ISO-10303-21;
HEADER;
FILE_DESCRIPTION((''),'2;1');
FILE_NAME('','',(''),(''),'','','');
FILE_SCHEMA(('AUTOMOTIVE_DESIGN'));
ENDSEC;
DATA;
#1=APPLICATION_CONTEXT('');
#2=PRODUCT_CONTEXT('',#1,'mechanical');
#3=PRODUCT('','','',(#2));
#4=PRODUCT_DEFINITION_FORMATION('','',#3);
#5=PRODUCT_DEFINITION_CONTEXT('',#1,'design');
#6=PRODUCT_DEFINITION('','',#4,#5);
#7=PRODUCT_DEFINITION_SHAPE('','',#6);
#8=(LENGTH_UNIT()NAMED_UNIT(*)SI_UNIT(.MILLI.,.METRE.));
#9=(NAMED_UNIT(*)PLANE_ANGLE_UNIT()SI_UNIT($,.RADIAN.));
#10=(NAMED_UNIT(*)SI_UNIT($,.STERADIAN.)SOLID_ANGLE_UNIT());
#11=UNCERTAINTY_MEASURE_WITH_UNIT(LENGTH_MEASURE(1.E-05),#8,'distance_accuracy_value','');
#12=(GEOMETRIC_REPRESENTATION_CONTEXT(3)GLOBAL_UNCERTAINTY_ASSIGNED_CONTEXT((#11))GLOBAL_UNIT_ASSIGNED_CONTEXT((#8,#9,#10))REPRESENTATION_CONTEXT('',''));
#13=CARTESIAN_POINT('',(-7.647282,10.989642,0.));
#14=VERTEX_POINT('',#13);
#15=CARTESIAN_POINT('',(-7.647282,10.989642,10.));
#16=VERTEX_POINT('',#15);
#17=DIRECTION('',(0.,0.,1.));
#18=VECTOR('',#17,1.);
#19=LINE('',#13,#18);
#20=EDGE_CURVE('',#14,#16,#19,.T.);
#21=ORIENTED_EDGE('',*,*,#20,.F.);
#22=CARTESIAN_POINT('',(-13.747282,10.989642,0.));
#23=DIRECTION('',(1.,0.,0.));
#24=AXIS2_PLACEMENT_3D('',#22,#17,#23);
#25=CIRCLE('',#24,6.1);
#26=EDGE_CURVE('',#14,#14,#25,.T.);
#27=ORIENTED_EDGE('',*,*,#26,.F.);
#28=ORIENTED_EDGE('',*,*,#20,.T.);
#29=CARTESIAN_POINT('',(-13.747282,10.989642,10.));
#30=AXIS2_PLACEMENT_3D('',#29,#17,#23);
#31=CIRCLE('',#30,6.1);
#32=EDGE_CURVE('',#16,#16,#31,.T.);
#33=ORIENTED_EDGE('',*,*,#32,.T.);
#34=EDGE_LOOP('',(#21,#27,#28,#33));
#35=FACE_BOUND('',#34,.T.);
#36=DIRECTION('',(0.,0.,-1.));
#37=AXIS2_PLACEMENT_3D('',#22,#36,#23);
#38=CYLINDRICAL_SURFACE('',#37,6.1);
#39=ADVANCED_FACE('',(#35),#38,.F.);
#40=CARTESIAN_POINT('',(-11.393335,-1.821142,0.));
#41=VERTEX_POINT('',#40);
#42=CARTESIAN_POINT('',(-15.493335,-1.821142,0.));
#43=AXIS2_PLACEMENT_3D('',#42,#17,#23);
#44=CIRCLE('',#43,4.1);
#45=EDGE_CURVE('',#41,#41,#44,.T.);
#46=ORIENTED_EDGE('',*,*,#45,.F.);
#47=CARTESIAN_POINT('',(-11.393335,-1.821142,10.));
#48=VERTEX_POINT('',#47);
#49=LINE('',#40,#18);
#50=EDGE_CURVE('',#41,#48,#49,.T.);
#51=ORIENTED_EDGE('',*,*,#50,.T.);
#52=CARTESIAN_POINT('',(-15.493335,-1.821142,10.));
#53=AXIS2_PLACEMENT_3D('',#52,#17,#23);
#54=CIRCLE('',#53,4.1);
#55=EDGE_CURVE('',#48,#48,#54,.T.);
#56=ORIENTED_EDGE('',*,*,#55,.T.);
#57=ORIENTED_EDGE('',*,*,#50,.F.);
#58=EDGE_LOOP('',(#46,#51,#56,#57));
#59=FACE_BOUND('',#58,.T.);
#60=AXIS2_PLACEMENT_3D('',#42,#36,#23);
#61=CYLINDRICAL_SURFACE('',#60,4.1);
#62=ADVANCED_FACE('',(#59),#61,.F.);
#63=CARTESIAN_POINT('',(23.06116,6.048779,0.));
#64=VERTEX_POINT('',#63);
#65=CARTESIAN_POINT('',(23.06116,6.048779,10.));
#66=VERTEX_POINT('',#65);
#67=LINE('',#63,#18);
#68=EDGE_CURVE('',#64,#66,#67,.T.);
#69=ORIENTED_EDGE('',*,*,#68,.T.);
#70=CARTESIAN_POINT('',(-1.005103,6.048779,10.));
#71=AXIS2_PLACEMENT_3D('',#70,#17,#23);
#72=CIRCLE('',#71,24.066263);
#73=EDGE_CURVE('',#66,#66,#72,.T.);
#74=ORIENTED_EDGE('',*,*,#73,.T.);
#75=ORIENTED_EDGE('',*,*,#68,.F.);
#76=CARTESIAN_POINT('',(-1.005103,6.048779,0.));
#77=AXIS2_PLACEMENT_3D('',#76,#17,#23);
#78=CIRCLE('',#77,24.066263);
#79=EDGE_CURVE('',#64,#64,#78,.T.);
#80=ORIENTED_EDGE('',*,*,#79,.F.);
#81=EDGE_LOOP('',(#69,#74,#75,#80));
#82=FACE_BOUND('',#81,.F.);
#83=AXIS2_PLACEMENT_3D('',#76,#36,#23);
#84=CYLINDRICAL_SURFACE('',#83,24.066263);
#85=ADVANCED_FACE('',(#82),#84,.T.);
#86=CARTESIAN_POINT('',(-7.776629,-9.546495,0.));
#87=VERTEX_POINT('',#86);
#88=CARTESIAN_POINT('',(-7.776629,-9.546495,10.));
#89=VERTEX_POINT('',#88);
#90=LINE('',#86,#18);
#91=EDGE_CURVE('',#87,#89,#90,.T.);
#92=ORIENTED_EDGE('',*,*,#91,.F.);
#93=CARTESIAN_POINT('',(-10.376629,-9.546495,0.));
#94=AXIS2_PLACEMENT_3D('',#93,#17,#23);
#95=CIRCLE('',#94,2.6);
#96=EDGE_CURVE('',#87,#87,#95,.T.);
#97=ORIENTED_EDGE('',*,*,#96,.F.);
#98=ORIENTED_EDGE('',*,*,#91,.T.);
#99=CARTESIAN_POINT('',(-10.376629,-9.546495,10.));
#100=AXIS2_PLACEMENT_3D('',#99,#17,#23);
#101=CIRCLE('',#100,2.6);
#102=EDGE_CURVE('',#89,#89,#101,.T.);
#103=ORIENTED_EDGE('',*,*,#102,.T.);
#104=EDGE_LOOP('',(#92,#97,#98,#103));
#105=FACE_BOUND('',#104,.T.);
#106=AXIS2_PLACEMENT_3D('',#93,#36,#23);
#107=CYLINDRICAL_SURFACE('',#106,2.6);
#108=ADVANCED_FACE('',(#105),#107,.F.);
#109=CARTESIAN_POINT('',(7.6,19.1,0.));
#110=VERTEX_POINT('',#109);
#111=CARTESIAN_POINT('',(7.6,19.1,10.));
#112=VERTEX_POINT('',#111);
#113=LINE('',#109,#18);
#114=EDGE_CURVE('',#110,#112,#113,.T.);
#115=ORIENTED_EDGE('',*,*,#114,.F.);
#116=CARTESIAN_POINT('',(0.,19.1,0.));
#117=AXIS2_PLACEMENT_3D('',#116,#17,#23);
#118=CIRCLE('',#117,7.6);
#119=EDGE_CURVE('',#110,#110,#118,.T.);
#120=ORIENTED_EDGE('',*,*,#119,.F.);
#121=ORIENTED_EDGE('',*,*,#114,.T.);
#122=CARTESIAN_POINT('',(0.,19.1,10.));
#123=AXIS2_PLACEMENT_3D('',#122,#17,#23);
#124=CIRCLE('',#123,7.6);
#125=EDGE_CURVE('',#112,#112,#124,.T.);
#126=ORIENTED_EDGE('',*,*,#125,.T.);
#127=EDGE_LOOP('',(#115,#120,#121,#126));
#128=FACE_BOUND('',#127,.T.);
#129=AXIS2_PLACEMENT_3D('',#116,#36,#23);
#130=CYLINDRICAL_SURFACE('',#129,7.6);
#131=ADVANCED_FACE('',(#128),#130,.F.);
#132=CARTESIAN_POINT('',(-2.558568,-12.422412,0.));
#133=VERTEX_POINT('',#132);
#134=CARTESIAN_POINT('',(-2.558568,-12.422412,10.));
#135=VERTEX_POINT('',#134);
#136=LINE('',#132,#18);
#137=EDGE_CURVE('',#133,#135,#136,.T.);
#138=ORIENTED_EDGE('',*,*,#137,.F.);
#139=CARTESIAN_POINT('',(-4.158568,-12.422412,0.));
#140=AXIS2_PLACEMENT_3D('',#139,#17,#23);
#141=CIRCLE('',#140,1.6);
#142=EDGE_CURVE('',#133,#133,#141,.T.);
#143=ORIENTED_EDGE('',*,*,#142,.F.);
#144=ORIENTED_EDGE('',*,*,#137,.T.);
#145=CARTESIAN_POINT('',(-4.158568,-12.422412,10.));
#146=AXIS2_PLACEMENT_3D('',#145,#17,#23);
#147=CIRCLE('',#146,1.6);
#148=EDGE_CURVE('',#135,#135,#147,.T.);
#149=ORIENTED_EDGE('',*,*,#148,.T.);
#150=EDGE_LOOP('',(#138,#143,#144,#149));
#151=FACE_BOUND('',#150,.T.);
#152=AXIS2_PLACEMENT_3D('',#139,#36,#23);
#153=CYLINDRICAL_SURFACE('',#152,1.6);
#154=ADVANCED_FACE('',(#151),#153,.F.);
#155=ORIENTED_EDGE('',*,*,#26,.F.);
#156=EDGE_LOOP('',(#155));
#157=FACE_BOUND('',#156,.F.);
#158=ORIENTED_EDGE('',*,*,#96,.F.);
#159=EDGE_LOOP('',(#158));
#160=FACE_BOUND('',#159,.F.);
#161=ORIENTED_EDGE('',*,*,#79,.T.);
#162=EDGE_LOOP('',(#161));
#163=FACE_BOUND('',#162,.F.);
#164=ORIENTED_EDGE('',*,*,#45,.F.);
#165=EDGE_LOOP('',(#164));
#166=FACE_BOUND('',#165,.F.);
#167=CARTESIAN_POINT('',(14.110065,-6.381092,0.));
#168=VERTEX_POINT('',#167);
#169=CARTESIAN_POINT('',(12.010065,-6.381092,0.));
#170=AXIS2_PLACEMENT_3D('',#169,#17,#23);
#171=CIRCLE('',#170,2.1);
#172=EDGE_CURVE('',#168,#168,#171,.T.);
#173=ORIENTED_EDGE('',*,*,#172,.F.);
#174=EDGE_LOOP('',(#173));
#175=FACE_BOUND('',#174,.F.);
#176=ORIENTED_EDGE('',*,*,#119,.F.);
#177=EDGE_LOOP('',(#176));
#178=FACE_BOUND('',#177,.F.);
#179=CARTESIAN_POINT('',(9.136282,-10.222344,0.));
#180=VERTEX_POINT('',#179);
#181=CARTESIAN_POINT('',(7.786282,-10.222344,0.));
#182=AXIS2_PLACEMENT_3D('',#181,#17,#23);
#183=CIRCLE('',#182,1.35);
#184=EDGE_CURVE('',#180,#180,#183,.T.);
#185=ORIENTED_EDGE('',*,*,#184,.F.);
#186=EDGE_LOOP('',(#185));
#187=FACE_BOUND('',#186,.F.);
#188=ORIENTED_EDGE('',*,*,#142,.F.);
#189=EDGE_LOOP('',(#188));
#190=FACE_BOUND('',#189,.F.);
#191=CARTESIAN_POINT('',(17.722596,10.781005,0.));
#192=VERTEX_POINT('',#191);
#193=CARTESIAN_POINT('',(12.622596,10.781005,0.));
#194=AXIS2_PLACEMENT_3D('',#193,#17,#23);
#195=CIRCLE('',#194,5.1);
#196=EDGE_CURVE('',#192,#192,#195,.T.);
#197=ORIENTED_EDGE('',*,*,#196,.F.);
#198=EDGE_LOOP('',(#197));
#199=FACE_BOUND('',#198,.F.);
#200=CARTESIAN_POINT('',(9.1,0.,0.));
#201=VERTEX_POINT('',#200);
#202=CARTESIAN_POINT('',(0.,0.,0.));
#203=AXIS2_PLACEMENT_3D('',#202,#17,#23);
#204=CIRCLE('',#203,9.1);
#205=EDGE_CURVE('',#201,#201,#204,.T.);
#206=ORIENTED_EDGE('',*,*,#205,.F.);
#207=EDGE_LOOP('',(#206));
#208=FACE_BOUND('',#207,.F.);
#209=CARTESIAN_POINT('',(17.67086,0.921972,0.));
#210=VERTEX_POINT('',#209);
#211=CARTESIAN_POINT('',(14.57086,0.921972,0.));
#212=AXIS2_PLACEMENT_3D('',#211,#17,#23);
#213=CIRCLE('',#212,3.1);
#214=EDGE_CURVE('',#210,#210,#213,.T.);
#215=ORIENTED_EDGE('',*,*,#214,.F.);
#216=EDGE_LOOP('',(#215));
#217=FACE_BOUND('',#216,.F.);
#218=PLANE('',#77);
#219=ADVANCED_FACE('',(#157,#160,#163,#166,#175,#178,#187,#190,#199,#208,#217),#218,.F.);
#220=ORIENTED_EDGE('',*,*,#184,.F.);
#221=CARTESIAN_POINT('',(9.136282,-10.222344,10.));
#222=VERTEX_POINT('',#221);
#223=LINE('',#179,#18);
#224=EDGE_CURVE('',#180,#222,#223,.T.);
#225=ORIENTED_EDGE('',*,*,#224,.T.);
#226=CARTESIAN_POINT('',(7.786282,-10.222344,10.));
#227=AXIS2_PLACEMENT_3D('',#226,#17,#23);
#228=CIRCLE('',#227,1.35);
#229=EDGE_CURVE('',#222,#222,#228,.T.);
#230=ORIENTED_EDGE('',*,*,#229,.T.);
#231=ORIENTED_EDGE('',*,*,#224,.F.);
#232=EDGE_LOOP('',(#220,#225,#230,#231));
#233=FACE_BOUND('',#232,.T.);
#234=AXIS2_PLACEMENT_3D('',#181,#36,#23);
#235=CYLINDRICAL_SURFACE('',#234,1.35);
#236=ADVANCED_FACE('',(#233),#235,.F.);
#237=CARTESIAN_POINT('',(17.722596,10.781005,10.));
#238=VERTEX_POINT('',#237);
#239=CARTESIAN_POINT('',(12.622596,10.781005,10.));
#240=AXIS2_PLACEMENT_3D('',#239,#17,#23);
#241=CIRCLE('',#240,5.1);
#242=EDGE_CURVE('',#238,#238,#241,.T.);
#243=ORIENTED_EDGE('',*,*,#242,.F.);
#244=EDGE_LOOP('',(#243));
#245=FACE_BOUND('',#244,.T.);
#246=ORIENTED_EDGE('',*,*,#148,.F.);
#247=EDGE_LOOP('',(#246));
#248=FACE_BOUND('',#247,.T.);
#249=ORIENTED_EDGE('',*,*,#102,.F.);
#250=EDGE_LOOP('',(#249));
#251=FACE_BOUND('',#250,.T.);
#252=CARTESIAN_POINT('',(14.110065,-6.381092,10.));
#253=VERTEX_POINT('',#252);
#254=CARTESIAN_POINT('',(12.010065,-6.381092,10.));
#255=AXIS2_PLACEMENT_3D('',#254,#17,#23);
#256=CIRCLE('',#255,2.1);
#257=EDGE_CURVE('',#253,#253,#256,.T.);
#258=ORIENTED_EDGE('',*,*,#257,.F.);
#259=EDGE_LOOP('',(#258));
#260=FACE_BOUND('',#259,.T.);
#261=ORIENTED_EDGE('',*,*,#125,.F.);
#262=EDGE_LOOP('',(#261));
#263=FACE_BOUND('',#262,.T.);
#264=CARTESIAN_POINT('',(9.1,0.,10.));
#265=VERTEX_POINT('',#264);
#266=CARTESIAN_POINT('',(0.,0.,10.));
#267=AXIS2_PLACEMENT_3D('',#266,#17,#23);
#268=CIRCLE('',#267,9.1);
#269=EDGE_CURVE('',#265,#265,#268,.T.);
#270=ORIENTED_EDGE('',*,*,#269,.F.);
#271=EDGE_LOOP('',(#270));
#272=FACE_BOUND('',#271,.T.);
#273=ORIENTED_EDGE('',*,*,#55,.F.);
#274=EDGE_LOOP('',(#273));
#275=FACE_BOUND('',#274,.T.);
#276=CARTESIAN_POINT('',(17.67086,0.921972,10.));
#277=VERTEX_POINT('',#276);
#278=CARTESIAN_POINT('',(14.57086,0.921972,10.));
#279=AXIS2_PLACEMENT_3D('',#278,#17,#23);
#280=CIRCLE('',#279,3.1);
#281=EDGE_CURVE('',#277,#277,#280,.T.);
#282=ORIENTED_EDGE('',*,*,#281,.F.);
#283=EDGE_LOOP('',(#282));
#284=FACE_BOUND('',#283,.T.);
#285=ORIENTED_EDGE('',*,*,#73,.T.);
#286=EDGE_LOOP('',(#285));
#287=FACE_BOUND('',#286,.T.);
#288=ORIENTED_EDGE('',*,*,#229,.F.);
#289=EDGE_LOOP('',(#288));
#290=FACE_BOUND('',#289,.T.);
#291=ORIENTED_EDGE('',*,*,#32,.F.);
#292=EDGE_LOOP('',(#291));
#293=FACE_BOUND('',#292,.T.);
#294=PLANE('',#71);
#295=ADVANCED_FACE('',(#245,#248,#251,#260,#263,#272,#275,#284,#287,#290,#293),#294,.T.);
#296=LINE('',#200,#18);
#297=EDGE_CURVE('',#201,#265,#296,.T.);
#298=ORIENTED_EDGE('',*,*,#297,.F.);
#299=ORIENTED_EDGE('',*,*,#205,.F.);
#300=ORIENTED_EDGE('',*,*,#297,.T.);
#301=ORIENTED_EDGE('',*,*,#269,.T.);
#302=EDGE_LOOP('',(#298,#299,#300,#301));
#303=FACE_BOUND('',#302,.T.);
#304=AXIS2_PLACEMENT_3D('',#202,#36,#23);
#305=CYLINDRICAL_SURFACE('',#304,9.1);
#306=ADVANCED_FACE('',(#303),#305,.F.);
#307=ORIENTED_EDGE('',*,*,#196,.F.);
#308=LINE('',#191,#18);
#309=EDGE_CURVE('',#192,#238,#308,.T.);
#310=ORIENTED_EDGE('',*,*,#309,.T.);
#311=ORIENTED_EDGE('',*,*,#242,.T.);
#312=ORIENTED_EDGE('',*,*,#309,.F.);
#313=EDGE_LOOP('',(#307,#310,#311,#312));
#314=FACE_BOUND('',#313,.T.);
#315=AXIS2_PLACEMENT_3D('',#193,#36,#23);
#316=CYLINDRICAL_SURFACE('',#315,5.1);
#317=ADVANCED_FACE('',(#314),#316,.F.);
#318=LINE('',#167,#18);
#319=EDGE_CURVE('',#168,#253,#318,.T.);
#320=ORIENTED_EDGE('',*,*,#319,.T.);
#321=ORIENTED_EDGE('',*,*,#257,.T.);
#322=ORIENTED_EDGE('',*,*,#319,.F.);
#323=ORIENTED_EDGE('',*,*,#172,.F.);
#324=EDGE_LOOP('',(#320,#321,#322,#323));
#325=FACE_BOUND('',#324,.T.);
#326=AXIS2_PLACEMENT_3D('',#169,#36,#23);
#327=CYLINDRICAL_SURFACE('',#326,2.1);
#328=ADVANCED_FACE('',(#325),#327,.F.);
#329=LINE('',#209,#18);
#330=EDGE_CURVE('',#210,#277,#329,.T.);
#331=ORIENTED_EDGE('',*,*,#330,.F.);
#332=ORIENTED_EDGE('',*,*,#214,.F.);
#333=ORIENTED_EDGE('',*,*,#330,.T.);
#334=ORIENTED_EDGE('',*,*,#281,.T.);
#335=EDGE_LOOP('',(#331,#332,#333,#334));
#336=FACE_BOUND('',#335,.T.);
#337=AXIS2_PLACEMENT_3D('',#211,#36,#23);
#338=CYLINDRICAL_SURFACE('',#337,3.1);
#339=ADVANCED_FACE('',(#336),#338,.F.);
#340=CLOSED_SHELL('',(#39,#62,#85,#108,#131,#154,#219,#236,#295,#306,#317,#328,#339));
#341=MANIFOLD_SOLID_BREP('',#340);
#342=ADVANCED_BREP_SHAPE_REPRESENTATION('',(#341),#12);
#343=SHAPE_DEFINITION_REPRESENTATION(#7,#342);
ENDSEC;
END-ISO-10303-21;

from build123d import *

# Parameters (mm, degrees)
F0_R     = 24.066263
F0_R_2   = 1.6
F0_R_3   = 2.6
F0_R_4   = 4.1
F0_R_5   = 1.35
F0_R_6   = 2.1
F0_R_7   = 9.1
F0_R_8   = 3.1
F0_R_9   = 6.1
F0_R_10  = 5.1
F0_R_11  = 7.6
F1_DEPTH = 10


with BuildPart() as f1:
    # F0 (on Top) → F1 (new body)
    with BuildSketch(Plane.XY):
        with Locations((-1.005103, 6.048779)):
            Circle(F0_R)
        with Locations((-4.158568, -12.422412)):
            Circle(F0_R_2, mode=Mode.SUBTRACT)
        with Locations((-10.376629, -9.546495)):
            Circle(F0_R_3, mode=Mode.SUBTRACT)
        with Locations((-15.493335, -1.821142)):
            Circle(F0_R_4, mode=Mode.SUBTRACT)
        with Locations((7.786282, -10.222344)):
            Circle(F0_R_5, mode=Mode.SUBTRACT)
        with Locations((12.010065, -6.381092)):
            Circle(F0_R_6, mode=Mode.SUBTRACT)
        Circle(F0_R_7, mode=Mode.SUBTRACT)
        with Locations((14.57086, 0.921972)):
            Circle(F0_R_8, mode=Mode.SUBTRACT)
        with Locations((-13.747282, 10.989642)):
            Circle(F0_R_9, mode=Mode.SUBTRACT)
        with Locations((12.622596, 10.781005)):
            Circle(F0_R_10, mode=Mode.SUBTRACT)
        with Locations((0, 19.1)):
            Circle(F0_R_11, mode=Mode.SUBTRACT)
    extrude(amount=F1_DEPTH)


solid = f1.part
